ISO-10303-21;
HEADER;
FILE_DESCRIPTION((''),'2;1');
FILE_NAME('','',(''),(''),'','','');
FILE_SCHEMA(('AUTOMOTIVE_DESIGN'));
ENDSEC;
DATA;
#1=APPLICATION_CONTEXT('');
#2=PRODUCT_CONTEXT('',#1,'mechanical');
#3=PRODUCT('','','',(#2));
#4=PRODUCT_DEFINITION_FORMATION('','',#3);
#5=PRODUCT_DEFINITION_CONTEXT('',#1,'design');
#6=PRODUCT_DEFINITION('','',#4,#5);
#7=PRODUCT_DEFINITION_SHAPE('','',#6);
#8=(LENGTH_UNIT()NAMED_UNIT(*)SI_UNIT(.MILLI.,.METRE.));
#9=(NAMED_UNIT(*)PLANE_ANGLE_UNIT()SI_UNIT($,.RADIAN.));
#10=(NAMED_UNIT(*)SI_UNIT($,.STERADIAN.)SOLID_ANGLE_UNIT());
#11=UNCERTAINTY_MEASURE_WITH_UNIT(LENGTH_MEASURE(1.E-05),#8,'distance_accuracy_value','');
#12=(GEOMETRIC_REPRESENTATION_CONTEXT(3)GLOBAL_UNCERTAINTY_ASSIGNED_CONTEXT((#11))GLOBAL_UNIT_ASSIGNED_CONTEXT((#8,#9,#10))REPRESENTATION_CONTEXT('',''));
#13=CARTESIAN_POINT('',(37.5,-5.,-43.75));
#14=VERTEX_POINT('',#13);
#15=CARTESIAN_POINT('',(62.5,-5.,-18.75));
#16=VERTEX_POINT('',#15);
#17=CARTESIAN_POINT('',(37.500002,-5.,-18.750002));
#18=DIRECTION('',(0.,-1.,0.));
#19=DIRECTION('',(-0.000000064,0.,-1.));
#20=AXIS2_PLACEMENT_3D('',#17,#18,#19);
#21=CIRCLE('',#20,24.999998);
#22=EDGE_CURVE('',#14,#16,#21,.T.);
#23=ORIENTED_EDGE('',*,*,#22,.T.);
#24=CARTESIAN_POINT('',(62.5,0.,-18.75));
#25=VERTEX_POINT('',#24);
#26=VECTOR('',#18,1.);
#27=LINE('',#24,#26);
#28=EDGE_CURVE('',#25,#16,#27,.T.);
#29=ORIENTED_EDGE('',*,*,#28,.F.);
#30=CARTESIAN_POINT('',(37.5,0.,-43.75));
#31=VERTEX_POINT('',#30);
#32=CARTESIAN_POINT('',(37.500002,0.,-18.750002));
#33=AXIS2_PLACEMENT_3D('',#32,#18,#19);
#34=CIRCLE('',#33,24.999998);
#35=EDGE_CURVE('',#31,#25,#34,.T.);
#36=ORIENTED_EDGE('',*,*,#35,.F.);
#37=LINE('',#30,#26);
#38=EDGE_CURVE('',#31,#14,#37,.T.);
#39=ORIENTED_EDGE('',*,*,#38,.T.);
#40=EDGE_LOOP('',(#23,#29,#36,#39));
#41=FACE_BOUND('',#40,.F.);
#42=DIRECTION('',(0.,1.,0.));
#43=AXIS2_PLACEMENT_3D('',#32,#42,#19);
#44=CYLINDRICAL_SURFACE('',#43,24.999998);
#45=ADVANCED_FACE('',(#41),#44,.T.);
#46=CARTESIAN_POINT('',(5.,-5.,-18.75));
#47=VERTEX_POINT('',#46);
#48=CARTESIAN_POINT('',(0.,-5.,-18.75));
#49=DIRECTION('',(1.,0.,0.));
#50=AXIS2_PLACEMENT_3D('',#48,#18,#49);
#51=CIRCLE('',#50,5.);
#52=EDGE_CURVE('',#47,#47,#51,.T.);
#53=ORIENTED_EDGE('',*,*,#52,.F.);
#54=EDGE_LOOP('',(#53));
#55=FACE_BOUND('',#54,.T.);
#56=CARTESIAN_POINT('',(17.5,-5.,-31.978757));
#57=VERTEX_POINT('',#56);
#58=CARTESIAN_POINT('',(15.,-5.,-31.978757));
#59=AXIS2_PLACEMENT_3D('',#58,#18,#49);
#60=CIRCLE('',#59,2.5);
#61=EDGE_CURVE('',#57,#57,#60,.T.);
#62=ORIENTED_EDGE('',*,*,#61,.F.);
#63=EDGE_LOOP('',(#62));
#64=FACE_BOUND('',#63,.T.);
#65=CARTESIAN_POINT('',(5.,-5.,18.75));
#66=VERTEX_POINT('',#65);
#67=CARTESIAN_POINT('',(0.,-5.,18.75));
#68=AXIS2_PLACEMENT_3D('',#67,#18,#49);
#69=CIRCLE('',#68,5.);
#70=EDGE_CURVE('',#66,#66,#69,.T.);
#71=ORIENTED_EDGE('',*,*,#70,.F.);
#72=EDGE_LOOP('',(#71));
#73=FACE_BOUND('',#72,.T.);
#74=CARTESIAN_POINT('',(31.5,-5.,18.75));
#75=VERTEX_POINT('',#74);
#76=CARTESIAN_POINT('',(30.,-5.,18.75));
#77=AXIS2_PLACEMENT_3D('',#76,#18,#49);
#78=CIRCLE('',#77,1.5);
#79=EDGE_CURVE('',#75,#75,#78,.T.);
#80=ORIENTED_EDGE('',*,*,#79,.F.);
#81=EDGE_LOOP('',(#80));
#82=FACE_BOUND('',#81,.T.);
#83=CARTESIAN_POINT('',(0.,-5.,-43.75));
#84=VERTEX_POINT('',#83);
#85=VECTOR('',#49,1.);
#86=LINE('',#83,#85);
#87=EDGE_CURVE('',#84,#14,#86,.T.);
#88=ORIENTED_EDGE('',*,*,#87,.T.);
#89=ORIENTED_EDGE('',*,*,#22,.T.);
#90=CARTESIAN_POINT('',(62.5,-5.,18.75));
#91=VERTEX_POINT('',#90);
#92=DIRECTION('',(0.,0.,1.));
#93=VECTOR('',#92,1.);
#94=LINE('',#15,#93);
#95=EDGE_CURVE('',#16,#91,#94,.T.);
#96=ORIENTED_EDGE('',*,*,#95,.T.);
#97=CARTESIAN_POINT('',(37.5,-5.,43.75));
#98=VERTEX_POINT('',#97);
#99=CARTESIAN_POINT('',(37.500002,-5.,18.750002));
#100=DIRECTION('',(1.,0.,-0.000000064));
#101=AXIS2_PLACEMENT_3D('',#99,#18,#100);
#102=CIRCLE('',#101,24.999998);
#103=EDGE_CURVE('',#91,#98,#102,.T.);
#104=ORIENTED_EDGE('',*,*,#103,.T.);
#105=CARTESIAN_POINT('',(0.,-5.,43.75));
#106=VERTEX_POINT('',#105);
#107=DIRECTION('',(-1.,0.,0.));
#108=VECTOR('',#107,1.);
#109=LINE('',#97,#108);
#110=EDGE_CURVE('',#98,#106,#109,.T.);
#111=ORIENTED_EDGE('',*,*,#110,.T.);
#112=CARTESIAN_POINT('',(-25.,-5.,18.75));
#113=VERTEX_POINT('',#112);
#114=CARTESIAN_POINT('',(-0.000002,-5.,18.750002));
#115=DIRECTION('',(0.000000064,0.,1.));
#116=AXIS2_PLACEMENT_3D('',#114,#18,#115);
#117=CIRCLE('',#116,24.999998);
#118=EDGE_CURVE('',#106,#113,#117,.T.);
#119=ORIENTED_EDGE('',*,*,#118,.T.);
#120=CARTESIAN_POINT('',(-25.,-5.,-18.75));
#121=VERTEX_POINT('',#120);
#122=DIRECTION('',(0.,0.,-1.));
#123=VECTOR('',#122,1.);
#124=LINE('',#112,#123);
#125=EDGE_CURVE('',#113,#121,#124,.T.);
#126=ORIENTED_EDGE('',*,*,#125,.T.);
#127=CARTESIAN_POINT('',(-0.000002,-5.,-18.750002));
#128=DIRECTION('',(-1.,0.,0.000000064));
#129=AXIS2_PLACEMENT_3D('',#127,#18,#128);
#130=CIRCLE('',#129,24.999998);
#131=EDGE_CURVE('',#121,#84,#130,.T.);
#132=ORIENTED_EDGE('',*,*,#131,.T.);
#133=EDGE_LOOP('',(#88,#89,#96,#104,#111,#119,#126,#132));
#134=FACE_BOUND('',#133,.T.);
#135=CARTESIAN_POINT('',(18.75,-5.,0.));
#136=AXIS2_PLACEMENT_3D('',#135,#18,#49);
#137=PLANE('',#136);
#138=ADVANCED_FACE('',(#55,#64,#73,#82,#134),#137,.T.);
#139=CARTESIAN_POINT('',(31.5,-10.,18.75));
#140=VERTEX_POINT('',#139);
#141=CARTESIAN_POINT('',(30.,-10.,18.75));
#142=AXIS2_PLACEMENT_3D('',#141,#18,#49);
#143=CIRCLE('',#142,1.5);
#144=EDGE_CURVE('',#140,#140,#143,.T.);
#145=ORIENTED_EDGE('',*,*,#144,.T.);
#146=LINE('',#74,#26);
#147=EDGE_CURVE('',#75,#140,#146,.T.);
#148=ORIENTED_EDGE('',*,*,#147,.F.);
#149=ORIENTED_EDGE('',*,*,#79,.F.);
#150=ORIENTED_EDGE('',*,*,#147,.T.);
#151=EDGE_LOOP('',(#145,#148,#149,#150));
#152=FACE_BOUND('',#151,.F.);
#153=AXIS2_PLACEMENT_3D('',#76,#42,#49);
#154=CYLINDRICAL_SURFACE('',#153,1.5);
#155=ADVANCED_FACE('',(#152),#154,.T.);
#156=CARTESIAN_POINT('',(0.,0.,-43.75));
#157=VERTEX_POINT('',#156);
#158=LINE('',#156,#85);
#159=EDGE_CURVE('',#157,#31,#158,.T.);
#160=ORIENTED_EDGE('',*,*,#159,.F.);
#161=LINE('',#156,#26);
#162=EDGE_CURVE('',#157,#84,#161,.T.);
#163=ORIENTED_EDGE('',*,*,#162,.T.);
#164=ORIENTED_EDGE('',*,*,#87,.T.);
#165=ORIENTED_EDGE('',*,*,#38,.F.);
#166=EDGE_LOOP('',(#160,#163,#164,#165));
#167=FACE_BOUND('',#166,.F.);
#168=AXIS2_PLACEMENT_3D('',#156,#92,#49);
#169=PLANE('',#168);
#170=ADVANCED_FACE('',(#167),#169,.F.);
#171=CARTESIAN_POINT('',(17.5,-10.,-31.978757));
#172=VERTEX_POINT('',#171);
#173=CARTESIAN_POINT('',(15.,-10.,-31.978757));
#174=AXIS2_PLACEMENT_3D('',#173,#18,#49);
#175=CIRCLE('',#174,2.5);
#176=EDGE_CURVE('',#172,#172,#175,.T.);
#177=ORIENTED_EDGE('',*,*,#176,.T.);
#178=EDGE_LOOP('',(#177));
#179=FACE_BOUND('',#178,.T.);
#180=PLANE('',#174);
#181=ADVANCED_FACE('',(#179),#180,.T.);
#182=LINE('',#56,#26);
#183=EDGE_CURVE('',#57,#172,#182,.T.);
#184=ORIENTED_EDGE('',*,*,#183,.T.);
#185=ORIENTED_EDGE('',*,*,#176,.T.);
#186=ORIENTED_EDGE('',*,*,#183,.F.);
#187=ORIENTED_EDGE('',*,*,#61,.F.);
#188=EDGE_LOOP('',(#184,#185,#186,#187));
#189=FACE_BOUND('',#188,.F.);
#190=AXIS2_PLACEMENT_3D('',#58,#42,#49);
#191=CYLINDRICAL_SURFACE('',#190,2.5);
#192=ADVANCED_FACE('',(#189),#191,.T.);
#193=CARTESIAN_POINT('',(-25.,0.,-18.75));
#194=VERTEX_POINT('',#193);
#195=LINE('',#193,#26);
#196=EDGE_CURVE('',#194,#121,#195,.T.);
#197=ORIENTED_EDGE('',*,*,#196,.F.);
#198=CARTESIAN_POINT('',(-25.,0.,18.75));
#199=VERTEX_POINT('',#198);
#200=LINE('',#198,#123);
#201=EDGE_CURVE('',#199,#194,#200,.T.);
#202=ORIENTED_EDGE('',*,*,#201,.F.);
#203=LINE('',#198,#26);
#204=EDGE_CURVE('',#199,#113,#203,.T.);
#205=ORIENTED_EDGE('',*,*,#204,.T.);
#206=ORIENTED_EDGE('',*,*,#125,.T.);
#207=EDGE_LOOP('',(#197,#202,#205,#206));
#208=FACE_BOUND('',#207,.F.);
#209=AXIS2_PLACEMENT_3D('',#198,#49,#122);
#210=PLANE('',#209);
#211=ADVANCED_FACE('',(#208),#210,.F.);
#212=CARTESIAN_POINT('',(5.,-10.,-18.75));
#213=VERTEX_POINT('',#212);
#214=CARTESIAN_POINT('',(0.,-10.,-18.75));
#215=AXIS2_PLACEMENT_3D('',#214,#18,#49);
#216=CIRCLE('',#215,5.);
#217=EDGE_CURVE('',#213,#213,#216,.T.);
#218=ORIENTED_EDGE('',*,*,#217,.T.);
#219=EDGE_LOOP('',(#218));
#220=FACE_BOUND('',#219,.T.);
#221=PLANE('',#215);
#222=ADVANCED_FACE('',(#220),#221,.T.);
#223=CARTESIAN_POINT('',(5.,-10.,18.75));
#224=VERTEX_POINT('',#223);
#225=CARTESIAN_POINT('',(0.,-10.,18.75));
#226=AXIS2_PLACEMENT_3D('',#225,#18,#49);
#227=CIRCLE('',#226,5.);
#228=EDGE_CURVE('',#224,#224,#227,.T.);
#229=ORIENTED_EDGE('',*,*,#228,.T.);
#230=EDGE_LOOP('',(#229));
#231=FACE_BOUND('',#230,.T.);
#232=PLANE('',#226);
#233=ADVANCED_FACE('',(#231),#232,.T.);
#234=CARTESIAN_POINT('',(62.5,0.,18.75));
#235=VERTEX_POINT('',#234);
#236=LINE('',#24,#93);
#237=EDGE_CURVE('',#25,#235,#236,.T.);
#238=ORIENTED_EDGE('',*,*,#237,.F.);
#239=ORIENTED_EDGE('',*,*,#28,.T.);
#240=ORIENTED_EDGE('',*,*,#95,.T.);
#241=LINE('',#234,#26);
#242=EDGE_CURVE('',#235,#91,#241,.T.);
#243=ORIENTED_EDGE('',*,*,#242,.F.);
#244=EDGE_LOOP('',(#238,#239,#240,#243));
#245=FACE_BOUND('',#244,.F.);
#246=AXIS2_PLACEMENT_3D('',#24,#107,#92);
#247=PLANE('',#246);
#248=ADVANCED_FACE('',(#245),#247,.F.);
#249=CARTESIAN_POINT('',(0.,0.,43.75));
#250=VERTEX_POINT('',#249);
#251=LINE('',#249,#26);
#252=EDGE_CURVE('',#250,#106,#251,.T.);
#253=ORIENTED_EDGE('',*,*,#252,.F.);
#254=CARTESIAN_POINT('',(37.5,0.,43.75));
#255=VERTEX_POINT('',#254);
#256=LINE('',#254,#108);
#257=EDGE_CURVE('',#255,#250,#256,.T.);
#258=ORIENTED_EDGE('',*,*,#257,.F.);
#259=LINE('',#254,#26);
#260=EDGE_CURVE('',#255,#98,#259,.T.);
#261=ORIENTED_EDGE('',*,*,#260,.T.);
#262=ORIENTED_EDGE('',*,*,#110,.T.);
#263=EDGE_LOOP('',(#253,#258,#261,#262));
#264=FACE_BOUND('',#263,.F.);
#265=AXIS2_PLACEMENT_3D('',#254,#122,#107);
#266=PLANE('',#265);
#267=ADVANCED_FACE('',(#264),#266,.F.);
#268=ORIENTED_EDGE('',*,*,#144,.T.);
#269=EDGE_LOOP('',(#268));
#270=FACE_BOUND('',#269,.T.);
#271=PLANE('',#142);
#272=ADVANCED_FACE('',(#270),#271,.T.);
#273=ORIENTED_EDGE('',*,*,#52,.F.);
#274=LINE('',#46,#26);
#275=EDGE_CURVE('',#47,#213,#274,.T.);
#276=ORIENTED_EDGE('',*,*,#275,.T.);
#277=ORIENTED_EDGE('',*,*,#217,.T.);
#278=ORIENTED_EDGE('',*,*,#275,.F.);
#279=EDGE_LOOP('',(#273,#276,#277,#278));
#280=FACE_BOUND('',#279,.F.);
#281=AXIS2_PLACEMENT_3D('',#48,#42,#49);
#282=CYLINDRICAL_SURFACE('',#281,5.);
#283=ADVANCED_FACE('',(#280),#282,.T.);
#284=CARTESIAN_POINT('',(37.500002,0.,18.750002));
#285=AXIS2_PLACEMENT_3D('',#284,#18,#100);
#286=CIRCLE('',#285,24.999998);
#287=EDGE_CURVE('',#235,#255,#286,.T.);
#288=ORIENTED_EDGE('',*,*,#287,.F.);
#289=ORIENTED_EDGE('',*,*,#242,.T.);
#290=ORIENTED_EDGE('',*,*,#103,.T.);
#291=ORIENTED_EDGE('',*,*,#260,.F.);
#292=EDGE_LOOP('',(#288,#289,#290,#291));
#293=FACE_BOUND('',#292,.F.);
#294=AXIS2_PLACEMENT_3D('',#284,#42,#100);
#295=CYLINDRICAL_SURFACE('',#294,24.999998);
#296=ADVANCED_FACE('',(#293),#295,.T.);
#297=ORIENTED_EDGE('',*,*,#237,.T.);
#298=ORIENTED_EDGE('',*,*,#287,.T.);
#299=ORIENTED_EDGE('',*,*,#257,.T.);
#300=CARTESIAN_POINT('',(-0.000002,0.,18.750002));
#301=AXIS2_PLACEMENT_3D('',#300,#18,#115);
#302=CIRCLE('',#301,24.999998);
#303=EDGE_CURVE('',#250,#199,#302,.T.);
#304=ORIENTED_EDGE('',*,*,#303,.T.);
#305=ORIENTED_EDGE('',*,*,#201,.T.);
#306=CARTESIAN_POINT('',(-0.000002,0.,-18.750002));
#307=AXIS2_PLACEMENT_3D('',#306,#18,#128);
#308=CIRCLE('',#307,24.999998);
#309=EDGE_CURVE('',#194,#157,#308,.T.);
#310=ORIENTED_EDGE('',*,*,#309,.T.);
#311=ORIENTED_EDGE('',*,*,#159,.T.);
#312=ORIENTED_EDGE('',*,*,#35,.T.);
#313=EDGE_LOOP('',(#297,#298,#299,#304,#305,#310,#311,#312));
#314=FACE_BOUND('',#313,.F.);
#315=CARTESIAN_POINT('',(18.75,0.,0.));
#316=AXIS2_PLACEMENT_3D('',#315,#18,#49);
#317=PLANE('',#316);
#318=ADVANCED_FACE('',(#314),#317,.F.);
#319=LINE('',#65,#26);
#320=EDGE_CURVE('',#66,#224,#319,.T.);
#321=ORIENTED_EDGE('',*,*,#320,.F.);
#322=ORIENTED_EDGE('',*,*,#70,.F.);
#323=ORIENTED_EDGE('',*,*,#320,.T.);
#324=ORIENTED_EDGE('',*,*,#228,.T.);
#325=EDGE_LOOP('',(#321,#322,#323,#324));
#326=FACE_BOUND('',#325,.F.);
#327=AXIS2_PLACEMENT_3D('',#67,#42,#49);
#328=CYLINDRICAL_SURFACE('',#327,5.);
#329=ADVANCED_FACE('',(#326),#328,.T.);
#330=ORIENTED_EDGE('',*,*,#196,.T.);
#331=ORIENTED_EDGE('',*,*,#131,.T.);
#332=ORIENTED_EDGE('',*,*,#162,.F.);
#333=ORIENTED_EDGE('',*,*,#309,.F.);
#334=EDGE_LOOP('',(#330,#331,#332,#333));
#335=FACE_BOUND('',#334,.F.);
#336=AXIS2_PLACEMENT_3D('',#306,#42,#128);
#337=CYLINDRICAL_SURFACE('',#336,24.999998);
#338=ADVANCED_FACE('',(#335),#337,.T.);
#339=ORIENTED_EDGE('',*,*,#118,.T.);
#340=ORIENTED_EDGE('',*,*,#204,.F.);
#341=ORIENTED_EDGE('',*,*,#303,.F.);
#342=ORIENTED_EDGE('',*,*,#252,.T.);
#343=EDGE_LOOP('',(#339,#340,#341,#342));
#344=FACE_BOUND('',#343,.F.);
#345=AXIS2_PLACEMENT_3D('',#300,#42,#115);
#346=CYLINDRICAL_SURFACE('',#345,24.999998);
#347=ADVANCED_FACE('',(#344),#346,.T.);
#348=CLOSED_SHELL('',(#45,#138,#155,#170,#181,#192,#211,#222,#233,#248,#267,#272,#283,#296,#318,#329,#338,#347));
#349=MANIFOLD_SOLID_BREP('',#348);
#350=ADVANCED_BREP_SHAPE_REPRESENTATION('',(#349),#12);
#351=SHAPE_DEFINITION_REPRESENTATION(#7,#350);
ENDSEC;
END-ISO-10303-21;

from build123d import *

# Parameters (mm, degrees)
F1_DEPTH = 5
F2_R     = 5
F2_R_2   = 2.5
F3_DEPTH = 5
F4_R     = 1.5
F5_DEPTH = 5


with BuildPart() as f1:
    # F0 (on Front) → F1 (new body)
    with BuildSketch(Plane.XZ):
        with BuildLine():
            ThreePointArc((0, 43.75), (-17.67767, 36.42767), (-25, 18.75))
            Line((-25, 18.75), (-25, -18.75))
            ThreePointArc((-25, -18.75), (-17.67767, -36.42767), (0, -43.75))
            Line((0, -43.75), (37.5, -43.75))
            ThreePointArc((37.5, -43.75), (55.17767, -36.42767), (62.5, -18.75))
            Line((62.5, -18.75), (62.5, 18.75))
            ThreePointArc((62.5, 18.75), (55.17767, 36.42767), (37.5, 43.75))
            Line((37.5, 43.75), (0, 43.75))
        make_face()
    extrude(amount=F1_DEPTH)

    # F2 (on face) → F3 (join)
    with BuildSketch(Plane.XZ.offset(5)):
        with Locations((0, 18.75)):
            Circle(F2_R)
        with Locations((0, -18.75)):
            Circle(F2_R)
        with Locations((15, -31.978757)):
            Circle(F2_R_2)
    extrude(amount=F3_DEPTH)

    # F4 (on face) → F5 (join)
    with BuildSketch(Plane.XZ.offset(5)):
        with Locations((30, 18.75)):
            Circle(F4_R)
    extrude(amount=F5_DEPTH)


solid = f1.part
